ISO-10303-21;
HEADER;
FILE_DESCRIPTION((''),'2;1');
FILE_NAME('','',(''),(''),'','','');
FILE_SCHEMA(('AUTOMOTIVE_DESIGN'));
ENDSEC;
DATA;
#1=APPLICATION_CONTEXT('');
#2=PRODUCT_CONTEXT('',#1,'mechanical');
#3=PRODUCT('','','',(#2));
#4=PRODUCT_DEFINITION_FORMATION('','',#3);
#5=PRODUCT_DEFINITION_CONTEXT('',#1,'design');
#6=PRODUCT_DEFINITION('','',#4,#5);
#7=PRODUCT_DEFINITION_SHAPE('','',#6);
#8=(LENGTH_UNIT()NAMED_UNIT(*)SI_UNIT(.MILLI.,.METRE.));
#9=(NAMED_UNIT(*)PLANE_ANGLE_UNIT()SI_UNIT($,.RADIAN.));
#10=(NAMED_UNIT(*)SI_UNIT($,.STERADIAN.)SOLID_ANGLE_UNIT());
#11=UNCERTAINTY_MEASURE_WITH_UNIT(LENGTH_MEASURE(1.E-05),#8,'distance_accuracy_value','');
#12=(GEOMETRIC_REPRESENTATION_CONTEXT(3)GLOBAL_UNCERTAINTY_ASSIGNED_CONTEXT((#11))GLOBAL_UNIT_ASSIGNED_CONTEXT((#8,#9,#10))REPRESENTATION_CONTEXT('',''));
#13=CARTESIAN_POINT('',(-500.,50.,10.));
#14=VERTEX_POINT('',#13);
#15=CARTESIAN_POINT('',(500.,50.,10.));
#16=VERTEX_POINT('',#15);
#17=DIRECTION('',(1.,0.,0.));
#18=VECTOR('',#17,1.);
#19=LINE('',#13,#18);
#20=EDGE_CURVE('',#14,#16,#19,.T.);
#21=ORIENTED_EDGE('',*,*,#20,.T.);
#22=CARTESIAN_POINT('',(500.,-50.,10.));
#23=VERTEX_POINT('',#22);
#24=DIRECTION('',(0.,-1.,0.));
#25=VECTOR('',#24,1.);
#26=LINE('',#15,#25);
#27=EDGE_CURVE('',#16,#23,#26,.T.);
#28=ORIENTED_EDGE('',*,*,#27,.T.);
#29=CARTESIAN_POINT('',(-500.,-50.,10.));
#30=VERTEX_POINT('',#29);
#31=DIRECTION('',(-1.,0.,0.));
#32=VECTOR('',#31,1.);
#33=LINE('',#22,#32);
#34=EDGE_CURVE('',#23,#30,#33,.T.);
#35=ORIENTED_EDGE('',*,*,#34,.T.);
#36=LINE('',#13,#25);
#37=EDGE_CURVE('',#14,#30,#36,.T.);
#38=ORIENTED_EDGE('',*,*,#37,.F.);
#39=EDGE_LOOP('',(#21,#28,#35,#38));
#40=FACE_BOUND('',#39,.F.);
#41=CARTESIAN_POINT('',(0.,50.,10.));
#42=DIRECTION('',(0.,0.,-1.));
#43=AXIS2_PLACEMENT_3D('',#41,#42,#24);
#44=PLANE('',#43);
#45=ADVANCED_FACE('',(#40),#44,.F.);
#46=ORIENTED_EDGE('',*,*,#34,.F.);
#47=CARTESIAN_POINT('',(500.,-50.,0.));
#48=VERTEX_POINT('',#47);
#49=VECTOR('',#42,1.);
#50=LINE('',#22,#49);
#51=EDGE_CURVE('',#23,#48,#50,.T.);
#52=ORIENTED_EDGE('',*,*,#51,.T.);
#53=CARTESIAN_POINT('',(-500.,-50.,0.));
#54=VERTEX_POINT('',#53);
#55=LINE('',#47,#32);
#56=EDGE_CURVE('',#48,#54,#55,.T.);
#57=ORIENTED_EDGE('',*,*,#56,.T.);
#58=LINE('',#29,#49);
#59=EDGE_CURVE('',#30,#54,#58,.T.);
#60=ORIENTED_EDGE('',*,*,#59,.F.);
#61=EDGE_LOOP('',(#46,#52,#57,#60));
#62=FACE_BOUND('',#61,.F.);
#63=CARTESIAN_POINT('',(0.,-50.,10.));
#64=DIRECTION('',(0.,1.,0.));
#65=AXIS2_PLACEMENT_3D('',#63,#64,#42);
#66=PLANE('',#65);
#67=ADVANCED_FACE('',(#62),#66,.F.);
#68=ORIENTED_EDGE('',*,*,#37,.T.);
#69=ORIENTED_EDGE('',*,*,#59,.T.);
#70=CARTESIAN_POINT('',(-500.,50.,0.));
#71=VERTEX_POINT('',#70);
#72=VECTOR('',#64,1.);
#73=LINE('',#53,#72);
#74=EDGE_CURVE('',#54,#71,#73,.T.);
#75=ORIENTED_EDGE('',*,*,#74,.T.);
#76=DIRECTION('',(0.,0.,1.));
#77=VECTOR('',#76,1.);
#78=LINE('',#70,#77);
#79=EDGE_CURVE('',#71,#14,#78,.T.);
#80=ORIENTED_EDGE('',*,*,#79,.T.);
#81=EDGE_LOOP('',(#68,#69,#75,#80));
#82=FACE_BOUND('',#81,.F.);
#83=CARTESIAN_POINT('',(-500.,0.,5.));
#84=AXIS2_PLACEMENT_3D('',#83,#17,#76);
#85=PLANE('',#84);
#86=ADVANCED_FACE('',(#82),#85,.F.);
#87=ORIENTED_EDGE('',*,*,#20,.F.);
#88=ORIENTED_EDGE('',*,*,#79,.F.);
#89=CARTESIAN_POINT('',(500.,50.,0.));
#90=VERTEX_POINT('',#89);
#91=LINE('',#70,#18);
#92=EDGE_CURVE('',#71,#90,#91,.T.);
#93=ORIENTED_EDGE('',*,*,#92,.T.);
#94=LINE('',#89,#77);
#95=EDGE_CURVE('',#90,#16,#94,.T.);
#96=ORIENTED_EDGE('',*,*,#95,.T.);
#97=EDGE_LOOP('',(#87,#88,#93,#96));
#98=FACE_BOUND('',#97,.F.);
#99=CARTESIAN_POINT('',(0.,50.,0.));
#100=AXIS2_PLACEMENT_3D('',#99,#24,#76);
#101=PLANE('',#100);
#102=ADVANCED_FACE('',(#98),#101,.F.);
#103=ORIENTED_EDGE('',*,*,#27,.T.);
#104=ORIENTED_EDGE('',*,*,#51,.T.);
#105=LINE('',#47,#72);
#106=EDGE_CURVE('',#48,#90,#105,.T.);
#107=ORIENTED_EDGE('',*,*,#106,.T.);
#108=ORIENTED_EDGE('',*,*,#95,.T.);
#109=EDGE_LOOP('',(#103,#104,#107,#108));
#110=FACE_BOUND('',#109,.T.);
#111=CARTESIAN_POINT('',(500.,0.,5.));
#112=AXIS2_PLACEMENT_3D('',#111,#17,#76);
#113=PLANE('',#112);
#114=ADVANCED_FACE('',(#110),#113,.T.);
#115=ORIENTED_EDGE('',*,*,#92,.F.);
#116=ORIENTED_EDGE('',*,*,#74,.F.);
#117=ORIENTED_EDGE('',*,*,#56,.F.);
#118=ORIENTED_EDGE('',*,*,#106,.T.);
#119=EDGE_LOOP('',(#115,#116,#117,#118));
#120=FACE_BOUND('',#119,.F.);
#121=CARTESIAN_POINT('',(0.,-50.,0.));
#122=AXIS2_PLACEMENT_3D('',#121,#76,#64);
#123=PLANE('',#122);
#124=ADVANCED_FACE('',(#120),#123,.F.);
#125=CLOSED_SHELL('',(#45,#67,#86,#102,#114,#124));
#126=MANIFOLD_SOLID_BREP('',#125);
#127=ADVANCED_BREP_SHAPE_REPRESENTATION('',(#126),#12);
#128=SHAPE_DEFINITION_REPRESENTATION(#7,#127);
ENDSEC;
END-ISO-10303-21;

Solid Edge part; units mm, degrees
sketch "Sketch1" plane through (0, 0, 0) normal (1, 0, 0) x (0, 1, 0)
  line L0 (-50, 0) -> (50, 0)
  line L1 (50, 0) -> (50, 10)
  line L2 (50, 10) -> (-50, 10)
  line L3 (-50, 10) -> (-50, 0)
  dimension "D1" = 10
  dimension "D2" = 100
extrude "Protrusion1" add sketch "Sketch1" along normal mid plane 1000
